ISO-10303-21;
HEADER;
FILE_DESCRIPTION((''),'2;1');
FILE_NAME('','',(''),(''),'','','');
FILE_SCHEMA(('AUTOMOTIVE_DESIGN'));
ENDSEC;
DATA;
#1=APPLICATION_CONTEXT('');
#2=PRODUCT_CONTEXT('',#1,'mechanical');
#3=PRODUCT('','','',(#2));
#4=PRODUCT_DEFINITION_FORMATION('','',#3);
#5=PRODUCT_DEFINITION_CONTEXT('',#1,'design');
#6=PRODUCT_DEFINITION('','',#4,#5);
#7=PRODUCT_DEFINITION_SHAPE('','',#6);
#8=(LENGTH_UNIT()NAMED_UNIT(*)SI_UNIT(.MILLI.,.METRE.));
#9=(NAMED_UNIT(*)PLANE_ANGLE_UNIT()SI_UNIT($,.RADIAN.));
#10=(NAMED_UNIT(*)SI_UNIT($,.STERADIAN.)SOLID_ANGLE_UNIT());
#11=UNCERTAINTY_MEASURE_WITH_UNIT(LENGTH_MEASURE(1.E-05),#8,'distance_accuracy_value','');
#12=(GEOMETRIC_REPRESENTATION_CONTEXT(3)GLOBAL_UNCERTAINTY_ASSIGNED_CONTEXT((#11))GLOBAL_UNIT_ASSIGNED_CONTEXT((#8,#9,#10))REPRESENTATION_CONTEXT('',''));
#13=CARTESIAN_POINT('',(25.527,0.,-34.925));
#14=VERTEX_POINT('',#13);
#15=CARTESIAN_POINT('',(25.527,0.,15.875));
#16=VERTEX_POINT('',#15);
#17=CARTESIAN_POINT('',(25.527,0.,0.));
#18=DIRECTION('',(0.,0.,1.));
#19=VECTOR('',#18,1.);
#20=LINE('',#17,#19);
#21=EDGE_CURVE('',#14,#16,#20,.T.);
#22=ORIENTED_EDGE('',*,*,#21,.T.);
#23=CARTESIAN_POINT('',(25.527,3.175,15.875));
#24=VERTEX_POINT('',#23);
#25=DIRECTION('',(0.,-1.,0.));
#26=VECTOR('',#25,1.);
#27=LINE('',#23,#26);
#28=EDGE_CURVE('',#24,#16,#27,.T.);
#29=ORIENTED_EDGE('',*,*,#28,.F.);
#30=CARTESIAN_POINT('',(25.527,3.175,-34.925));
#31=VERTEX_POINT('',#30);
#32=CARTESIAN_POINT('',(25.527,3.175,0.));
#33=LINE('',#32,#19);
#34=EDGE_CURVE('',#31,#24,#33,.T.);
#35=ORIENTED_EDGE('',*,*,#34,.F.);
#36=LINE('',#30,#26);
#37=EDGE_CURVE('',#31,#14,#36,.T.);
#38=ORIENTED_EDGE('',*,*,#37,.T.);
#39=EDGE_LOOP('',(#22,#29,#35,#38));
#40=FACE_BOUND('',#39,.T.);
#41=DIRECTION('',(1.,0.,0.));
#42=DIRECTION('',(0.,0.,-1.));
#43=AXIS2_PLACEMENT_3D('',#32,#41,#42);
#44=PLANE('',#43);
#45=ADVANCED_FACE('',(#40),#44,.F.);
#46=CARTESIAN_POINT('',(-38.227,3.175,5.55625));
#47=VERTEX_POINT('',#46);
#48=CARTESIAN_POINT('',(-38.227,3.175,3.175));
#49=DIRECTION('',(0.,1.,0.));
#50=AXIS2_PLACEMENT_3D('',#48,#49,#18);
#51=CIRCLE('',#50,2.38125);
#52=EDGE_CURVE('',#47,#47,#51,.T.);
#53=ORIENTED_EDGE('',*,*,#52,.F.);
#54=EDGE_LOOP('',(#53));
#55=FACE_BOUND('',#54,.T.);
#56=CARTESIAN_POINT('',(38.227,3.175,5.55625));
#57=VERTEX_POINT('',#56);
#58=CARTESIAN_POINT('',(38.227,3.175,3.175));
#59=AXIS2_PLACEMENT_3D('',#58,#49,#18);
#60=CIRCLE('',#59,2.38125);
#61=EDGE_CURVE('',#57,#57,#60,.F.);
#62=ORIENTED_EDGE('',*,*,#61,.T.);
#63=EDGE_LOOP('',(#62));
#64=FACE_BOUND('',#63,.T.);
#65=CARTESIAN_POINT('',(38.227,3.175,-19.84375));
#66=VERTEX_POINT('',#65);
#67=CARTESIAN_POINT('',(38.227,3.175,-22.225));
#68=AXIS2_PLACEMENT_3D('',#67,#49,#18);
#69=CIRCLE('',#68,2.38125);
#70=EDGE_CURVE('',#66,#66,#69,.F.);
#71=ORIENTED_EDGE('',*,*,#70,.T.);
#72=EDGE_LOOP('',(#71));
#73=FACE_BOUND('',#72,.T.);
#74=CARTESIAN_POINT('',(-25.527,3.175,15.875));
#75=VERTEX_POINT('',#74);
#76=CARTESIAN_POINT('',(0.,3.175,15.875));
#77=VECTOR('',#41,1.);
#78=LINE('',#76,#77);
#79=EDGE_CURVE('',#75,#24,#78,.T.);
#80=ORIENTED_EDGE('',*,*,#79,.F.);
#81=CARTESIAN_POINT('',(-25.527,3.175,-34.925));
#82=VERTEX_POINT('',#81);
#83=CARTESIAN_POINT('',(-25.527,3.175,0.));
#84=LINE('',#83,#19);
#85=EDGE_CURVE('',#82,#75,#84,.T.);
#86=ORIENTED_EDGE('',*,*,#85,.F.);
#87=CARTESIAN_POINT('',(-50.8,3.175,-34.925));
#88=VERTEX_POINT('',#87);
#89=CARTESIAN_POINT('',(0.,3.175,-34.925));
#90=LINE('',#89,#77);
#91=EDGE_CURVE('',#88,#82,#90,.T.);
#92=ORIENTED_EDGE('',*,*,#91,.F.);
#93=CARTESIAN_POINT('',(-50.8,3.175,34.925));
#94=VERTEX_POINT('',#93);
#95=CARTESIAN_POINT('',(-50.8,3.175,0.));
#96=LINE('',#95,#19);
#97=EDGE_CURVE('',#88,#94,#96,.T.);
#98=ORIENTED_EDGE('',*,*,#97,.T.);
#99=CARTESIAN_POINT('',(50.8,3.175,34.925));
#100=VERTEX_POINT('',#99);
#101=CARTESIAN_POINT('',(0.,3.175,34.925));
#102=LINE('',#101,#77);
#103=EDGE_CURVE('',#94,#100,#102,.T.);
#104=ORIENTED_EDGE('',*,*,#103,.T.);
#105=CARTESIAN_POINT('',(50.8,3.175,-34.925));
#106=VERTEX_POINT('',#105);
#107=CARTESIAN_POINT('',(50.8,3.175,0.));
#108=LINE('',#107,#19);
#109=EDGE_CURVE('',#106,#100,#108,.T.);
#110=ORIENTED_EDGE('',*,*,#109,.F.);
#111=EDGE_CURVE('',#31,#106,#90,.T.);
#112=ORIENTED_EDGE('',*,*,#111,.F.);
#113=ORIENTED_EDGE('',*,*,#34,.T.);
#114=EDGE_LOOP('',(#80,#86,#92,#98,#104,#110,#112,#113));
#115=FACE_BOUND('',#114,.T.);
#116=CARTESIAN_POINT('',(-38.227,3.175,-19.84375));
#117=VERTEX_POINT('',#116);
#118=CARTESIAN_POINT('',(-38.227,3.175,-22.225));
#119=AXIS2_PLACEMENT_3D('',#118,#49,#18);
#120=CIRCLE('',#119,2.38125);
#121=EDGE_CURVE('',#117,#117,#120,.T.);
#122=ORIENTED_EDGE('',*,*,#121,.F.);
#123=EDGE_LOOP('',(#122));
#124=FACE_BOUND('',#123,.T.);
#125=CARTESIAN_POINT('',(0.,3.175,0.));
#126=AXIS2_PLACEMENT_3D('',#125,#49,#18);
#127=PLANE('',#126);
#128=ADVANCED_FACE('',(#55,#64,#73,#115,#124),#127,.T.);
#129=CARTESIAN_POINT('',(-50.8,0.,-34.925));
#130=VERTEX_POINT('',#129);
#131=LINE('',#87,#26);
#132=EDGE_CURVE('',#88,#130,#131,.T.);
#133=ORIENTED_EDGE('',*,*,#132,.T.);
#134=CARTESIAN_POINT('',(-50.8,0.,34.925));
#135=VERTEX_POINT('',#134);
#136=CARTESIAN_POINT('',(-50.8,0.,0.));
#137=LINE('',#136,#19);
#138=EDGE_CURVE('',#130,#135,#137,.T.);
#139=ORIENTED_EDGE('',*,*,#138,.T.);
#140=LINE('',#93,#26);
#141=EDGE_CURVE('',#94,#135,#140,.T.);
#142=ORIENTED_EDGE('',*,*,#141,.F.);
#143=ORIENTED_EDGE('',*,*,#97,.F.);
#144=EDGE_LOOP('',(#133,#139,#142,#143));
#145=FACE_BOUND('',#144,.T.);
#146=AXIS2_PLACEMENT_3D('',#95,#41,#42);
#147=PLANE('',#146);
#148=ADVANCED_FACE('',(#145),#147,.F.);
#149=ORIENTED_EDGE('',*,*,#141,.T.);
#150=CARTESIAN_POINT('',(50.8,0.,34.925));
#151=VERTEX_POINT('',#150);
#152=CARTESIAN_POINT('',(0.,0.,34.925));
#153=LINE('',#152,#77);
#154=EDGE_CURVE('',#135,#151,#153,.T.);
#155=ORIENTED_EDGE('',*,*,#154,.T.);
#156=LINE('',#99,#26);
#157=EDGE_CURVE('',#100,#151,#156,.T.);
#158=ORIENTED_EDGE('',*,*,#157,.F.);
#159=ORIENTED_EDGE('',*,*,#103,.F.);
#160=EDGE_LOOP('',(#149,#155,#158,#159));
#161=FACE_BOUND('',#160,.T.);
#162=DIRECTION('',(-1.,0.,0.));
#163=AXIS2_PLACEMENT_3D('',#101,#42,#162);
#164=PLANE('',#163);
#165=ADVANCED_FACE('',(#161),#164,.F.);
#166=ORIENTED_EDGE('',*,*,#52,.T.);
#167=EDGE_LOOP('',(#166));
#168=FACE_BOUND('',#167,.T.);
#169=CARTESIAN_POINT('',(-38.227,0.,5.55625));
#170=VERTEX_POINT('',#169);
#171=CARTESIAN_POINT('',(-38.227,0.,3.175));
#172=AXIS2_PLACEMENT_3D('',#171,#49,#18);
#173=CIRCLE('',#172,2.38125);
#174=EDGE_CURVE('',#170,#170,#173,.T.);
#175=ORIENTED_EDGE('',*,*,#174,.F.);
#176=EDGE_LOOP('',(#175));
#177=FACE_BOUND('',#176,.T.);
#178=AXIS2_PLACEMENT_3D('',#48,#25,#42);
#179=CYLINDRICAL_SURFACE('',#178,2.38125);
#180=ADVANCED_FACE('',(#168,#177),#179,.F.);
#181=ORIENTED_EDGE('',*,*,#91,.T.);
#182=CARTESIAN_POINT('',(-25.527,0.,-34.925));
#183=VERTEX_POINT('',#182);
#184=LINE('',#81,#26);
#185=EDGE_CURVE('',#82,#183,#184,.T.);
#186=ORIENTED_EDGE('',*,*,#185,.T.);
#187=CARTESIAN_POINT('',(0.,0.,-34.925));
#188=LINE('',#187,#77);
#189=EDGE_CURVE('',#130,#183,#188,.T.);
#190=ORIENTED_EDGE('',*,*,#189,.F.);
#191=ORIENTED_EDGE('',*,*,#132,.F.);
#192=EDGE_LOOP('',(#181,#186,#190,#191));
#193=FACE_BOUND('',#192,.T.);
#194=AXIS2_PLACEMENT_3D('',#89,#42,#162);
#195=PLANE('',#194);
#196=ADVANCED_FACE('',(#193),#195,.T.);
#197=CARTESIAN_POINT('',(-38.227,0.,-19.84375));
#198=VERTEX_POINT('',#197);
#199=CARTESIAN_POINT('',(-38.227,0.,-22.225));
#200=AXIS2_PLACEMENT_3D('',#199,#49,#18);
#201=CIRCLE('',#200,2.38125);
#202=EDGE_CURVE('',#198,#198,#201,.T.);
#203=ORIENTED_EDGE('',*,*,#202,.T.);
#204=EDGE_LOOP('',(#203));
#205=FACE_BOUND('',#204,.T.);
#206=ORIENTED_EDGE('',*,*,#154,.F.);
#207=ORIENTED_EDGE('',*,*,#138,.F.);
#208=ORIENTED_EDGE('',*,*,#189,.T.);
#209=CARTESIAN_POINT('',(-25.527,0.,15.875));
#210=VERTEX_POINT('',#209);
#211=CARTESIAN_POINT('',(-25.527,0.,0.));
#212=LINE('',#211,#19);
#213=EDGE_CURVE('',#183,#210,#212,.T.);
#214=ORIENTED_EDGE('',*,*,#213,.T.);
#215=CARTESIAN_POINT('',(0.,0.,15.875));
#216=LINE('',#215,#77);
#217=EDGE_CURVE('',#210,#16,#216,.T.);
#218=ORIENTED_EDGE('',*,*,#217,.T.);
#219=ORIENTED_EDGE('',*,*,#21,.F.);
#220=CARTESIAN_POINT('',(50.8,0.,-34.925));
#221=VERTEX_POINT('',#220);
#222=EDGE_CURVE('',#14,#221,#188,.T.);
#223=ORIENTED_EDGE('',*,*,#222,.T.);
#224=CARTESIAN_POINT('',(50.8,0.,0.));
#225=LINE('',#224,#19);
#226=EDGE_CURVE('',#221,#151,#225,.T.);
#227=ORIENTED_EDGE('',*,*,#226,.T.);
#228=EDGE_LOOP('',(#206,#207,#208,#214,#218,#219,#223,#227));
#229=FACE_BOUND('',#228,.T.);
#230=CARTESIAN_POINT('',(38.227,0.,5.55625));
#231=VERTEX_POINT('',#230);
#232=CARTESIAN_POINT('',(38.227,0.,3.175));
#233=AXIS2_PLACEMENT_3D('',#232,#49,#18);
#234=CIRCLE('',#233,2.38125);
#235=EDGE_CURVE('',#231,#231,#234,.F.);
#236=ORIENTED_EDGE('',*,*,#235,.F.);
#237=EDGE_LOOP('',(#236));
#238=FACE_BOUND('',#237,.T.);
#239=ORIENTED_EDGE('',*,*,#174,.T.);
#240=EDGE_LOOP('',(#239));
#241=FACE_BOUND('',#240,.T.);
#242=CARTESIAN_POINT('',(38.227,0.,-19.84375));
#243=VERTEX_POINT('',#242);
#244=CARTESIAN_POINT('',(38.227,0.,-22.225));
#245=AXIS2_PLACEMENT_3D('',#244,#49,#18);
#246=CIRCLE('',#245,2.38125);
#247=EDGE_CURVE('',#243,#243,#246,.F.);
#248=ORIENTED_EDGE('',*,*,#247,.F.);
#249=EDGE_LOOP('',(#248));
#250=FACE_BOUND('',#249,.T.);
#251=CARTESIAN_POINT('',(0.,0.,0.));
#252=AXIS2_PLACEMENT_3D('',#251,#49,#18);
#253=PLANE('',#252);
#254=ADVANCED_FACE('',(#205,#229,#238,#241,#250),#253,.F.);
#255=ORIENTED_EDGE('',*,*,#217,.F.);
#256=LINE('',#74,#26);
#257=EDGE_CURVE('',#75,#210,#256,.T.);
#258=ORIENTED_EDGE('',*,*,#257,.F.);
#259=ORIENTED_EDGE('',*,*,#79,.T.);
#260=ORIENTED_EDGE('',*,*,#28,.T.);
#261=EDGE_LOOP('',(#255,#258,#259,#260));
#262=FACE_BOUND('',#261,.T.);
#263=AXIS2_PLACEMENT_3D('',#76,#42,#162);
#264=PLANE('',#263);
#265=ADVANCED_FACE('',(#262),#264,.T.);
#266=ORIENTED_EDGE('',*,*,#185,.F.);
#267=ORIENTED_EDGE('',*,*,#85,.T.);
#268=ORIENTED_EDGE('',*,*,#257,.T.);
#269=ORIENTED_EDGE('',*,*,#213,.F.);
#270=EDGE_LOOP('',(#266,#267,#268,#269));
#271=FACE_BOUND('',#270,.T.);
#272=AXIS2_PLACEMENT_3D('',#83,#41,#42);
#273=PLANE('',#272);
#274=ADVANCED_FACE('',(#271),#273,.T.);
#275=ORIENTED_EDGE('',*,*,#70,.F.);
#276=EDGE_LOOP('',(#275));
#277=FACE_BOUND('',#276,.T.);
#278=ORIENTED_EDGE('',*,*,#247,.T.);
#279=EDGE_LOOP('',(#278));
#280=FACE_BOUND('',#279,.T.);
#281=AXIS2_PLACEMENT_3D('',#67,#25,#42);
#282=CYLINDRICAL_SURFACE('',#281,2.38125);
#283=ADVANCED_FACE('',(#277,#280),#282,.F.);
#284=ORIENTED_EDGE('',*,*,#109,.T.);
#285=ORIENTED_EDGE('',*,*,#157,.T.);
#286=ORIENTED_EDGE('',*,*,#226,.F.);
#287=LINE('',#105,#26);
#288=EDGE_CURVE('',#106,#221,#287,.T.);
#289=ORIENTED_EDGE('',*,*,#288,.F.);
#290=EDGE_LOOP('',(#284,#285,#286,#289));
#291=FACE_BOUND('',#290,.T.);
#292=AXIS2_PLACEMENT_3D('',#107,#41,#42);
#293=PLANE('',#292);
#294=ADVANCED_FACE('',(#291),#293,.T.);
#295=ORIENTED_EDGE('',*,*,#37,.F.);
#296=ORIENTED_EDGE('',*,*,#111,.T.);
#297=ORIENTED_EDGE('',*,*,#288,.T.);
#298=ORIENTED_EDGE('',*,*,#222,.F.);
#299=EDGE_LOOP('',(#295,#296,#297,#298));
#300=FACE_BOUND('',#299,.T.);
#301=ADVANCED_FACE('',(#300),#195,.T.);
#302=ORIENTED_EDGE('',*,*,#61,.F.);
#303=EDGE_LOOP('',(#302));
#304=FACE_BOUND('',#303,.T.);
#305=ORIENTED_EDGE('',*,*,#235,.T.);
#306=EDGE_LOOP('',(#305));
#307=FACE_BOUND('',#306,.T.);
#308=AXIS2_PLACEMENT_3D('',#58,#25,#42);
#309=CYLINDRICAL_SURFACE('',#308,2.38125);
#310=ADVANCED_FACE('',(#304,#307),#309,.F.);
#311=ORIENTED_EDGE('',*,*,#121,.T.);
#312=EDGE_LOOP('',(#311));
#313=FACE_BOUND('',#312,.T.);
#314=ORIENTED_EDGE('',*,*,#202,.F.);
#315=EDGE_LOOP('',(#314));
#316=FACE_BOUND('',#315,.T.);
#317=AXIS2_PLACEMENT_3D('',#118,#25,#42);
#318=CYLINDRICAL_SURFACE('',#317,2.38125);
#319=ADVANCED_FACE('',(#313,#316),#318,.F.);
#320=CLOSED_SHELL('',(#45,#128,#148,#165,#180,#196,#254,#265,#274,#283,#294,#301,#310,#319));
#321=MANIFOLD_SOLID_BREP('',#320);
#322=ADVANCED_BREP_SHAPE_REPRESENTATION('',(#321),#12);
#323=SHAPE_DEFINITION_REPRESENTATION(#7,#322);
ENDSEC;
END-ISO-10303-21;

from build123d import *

# Parameters (mm, degrees)
SKETCH1_R           = 2.38125
BOSS_EXTRUDE1_DEPTH = 3.175


with BuildPart() as part:
    # Sketch1 → Boss-Extrude1 (new body)
    with BuildSketch(Plane(origin=(0, 0, 0), x_dir=(1, 0, 0), z_dir=(0, 1, 0))):
        Polygon((-25.527, 34.925), (-50.8, 34.925), (-50.8, -34.925), (50.8, -34.925), (50.8, 34.925), (25.527, 34.925), (25.527, -15.875), (-25.527, -15.875), align=None)
        with Locations(Location((-38.227, -3.175, 0), (0, 0, 270))):
            Circle(SKETCH1_R, mode=Mode.SUBTRACT)
        with Locations(Location((38.227, -3.175, 0), (0, 0, 270))):
            Circle(SKETCH1_R, mode=Mode.SUBTRACT)
        with Locations(Location((-38.227, 22.225, 0), (0, 0, 270))):
            Circle(SKETCH1_R, mode=Mode.SUBTRACT)
        with Locations(Location((38.227, 22.225, 0), (0, 0, 270))):
            Circle(SKETCH1_R, mode=Mode.SUBTRACT)
    extrude(amount=BOSS_EXTRUDE1_DEPTH)


solid = part.part
